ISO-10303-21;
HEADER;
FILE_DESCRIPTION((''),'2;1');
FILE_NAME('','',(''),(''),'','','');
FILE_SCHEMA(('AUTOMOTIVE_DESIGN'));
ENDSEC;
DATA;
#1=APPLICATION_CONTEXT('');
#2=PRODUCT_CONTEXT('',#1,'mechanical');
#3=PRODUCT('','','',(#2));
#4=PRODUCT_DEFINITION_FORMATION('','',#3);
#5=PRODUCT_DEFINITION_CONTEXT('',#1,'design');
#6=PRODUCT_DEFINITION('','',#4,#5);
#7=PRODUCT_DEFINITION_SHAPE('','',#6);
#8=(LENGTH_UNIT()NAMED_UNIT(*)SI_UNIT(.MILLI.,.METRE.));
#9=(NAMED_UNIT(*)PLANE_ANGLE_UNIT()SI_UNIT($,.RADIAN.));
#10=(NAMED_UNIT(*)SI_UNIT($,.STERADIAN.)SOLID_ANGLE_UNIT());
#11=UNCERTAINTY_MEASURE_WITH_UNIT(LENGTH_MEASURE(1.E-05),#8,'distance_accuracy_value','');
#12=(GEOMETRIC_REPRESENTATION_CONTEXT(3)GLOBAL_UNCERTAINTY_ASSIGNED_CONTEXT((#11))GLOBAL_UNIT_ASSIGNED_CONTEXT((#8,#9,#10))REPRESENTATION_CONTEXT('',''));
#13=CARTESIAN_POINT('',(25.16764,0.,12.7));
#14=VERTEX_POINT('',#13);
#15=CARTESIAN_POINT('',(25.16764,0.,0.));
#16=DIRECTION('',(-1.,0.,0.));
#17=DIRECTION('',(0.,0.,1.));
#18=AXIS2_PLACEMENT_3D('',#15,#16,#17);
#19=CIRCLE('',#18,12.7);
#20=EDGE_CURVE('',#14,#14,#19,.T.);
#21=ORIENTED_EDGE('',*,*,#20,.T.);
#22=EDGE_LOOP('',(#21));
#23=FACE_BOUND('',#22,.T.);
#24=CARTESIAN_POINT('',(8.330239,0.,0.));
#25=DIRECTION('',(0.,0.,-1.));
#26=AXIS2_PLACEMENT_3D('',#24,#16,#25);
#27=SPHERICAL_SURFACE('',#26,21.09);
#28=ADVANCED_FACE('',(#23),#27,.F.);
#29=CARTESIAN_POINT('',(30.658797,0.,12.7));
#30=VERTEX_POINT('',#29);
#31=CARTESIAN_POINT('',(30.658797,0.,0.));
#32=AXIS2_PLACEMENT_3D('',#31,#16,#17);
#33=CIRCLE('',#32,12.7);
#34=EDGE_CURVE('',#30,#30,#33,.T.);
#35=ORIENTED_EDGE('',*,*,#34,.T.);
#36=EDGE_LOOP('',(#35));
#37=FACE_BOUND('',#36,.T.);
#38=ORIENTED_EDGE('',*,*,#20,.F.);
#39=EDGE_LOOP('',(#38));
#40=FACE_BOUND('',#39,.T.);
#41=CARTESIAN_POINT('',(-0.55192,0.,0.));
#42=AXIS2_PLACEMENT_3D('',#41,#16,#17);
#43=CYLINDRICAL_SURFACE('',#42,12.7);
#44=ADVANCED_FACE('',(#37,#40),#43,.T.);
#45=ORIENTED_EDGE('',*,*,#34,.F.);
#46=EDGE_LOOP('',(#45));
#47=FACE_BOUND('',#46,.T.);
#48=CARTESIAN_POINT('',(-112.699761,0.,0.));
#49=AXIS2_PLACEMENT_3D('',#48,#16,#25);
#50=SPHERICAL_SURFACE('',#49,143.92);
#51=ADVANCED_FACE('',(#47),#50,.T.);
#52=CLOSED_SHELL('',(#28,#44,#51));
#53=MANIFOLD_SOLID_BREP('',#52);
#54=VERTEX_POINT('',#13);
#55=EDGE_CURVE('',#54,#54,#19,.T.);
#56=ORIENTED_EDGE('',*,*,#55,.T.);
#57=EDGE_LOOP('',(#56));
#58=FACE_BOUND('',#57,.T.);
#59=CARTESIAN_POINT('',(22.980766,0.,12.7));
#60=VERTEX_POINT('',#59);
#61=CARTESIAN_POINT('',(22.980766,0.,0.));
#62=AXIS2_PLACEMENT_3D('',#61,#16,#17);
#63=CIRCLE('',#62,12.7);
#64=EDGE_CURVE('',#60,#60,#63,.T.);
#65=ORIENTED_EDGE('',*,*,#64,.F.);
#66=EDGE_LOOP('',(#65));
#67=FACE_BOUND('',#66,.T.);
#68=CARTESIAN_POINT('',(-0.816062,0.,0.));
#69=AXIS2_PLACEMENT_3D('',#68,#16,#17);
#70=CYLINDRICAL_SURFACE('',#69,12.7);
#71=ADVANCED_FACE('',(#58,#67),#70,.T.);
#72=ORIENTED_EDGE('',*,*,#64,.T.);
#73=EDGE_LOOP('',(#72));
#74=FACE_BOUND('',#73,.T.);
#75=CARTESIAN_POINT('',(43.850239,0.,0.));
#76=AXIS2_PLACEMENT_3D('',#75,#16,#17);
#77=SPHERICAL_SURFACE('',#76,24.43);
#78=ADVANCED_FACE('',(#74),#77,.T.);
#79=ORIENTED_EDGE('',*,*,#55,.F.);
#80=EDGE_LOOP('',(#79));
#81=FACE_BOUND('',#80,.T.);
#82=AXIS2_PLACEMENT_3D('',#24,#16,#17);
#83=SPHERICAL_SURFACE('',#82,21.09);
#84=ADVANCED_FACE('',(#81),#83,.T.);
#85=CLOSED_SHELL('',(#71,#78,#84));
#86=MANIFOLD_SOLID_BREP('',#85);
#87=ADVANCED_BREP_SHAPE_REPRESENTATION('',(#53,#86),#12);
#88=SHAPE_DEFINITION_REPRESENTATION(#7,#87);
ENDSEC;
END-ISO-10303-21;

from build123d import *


with BuildPart() as part:
    # 草图1 one side → 旋转1 (revolve)
    with BuildSketch(Plane(origin=(0, 0, 0), x_dir=(1, 0, 0), z_dir=(0, 1, 0)), mode=Mode.PRIVATE) as revolve_1_sk:
        with BuildLine():
            ThreePointArc((22.980765665, 12.7), (20.327206006, 6.594834211), (19.420238586, 0))
            Line((19.420238586, 0), (29.420238586, 0))
            ThreePointArc((29.420238586, 0), (28.328849842, 6.696539989), (25.167640404, 12.7))
            Line((25.167640404, 12.7), (22.980765665, 12.7))
        make_face()
    revolve(revolve_1_sk.sketch.rotate(Axis((-0.816062176, 0, 0), (1, 0, 0)), 180), axis=Axis((-0.816062176, 0, 0), (1, 0, 0)))  # turned: the seam where the file's is


with BuildPart() as body_2:
    # 草图2 one side → 旋转2 (revolve)
    with BuildSketch(Plane(origin=(0, 0, 0), x_dir=(1, 0, 0), z_dir=(0, 1, 0)), mode=Mode.PRIVATE) as revolve_2_sk:
        with BuildLine():
            Line((30.658797451, 12.7), (25.167640404, 12.7))
            ThreePointArc((25.167640404, 12.7), (28.328849842, 6.696539989), (29.420238586, 0))
            Line((29.420238586, 0), (31.220238586, 0))
            ThreePointArc((31.220238586, 0), (31.079809791, 6.356202014), (30.658797451, 12.7))
        make_face()
    revolve(revolve_2_sk.sketch.rotate(Axis((-0.551919993, 0, 0), (1, 0, 0)), 180), axis=Axis((-0.551919993, 0, 0), (1, 0, 0)))  # turned: the seam where the file's is


solid = Compound([part.part, body_2.part])
